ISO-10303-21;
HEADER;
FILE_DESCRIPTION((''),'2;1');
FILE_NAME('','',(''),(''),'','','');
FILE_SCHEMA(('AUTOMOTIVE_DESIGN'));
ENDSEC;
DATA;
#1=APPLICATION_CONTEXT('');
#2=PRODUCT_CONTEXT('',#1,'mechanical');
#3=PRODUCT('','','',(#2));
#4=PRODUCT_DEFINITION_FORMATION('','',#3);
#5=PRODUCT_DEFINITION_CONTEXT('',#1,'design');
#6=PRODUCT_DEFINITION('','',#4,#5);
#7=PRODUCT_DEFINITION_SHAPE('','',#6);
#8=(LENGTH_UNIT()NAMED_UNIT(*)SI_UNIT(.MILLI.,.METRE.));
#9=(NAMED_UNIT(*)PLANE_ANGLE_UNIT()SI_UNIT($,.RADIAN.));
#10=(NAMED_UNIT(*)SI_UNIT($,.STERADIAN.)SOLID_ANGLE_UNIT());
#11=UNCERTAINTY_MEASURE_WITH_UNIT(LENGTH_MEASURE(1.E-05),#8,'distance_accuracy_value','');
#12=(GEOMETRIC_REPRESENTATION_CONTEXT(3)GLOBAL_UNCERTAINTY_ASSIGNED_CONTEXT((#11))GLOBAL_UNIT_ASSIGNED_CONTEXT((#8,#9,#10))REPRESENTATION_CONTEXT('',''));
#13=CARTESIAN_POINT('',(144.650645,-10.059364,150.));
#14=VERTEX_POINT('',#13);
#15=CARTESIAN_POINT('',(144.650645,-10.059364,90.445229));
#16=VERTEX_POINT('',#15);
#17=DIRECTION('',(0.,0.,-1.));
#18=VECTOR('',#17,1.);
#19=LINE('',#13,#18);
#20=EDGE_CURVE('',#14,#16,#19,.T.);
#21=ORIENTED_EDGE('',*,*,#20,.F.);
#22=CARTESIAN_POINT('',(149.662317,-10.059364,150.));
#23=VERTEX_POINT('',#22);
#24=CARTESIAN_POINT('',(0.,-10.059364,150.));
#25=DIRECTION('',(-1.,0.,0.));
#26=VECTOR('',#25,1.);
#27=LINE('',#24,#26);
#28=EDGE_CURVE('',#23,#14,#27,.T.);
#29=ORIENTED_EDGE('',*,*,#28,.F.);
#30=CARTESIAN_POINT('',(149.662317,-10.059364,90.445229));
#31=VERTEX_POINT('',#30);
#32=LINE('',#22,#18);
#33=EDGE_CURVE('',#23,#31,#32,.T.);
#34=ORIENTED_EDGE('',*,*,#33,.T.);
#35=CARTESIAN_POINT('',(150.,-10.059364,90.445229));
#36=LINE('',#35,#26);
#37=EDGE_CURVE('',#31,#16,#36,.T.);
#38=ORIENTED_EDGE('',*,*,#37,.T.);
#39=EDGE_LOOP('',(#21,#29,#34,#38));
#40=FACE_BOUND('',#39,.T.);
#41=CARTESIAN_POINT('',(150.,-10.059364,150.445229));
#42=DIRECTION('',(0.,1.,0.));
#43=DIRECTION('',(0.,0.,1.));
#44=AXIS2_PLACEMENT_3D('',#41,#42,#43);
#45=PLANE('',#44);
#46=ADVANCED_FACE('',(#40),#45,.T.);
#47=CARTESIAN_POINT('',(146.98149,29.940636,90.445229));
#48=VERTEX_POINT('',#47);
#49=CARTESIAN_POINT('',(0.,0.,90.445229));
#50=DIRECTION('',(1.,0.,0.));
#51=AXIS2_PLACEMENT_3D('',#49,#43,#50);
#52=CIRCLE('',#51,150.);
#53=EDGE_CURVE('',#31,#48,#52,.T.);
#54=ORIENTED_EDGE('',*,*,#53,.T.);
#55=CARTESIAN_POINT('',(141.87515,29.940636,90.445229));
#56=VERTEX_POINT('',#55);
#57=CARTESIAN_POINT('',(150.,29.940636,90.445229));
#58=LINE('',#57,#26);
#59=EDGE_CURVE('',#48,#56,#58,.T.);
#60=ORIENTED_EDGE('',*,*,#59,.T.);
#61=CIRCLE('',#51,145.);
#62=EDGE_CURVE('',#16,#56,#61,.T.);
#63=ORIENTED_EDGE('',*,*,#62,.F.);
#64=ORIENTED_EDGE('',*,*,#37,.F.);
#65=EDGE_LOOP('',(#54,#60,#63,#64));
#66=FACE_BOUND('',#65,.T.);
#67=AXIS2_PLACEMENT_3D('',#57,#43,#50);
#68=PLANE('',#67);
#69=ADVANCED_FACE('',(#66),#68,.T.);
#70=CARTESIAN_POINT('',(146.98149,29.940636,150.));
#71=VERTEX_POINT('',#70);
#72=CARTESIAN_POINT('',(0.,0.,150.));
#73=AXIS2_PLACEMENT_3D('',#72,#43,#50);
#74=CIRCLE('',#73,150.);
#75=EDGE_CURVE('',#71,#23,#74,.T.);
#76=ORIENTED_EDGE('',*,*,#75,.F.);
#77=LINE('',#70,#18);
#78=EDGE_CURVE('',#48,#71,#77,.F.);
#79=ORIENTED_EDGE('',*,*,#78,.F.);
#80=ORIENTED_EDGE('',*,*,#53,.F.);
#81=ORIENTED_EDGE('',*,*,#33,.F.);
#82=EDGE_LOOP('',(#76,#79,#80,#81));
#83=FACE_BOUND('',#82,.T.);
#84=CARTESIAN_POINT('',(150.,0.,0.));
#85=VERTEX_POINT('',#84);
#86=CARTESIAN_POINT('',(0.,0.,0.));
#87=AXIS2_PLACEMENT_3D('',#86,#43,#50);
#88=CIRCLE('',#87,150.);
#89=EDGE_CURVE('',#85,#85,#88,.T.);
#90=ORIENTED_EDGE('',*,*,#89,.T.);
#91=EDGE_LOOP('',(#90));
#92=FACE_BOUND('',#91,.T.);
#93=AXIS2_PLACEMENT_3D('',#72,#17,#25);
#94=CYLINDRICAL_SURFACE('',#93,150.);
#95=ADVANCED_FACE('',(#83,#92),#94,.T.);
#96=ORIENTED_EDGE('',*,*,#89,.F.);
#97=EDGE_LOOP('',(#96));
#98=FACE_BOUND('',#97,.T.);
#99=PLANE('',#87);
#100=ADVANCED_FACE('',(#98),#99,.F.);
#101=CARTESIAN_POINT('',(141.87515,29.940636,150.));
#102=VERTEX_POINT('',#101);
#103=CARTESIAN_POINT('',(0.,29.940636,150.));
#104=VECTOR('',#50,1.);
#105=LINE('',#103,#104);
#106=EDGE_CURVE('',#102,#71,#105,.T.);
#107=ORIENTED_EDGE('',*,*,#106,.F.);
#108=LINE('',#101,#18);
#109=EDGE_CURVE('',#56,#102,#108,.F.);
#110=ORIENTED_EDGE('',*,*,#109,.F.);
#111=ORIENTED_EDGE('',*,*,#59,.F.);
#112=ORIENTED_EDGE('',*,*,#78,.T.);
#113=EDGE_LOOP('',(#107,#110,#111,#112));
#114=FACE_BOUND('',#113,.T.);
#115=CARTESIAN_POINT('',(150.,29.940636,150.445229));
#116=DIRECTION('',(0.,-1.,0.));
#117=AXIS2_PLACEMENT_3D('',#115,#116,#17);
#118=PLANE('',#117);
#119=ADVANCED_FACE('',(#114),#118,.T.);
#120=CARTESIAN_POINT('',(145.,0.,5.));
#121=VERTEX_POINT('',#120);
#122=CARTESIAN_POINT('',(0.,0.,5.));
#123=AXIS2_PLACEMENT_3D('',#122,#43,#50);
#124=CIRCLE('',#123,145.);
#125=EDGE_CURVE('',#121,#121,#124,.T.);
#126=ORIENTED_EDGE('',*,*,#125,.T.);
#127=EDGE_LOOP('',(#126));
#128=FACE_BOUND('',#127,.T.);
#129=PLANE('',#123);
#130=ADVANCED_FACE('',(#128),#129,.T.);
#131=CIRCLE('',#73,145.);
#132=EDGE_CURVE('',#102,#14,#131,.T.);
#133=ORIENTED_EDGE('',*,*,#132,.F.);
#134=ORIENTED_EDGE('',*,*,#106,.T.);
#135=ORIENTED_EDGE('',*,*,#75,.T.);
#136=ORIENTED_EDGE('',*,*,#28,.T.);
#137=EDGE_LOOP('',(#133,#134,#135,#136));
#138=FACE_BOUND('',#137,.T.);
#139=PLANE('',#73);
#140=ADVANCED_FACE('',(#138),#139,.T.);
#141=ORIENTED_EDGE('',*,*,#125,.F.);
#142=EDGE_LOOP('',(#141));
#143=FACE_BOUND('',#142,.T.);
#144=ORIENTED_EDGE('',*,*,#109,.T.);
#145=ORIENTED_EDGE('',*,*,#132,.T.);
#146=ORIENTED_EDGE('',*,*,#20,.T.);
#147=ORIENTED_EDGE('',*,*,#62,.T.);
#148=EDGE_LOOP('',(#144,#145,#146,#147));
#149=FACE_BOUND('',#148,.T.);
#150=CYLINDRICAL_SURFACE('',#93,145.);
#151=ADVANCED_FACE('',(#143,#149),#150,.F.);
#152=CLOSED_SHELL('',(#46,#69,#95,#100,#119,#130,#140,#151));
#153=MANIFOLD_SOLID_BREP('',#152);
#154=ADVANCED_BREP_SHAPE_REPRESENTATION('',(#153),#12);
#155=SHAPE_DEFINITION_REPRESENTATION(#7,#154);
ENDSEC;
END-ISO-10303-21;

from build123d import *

# Parameters (mm, degrees)
SKETCH1_R           = 150
BOSS_EXTRUDE1_DEPTH = 150
SHELL2_T            = -5
SKETCH4_W           = 60
SKETCH4_H           = 40
CUT_EXTRUDE1_DEPTH  = 150


with BuildPart() as part:
    # Sketch1 → Boss-Extrude1 (new body)
    with BuildSketch(Plane.XY):
        Circle(SKETCH1_R)
    extrude(amount=BOSS_EXTRUDE1_DEPTH)

    # Shell2
    shell2_openings = [part.faces().sort_by_distance(p)[0] for p in [
        (0, 0, 150),
    ]]
    offset(amount=SHELL2_T, openings=shell2_openings, kind=Kind.INTERSECTION)

    # Sketch4 → Cut-Extrude1 (cut)
    with BuildSketch(Plane(origin=(0, 0, 0), x_dir=(0, 0, -1), z_dir=(1, 0, 0))):
        with Locations((-120.445229028, 9.94063613)):
            Rectangle(SKETCH4_W, SKETCH4_H)
    extrude(amount=CUT_EXTRUDE1_DEPTH, mode=Mode.SUBTRACT)


solid = part.part
